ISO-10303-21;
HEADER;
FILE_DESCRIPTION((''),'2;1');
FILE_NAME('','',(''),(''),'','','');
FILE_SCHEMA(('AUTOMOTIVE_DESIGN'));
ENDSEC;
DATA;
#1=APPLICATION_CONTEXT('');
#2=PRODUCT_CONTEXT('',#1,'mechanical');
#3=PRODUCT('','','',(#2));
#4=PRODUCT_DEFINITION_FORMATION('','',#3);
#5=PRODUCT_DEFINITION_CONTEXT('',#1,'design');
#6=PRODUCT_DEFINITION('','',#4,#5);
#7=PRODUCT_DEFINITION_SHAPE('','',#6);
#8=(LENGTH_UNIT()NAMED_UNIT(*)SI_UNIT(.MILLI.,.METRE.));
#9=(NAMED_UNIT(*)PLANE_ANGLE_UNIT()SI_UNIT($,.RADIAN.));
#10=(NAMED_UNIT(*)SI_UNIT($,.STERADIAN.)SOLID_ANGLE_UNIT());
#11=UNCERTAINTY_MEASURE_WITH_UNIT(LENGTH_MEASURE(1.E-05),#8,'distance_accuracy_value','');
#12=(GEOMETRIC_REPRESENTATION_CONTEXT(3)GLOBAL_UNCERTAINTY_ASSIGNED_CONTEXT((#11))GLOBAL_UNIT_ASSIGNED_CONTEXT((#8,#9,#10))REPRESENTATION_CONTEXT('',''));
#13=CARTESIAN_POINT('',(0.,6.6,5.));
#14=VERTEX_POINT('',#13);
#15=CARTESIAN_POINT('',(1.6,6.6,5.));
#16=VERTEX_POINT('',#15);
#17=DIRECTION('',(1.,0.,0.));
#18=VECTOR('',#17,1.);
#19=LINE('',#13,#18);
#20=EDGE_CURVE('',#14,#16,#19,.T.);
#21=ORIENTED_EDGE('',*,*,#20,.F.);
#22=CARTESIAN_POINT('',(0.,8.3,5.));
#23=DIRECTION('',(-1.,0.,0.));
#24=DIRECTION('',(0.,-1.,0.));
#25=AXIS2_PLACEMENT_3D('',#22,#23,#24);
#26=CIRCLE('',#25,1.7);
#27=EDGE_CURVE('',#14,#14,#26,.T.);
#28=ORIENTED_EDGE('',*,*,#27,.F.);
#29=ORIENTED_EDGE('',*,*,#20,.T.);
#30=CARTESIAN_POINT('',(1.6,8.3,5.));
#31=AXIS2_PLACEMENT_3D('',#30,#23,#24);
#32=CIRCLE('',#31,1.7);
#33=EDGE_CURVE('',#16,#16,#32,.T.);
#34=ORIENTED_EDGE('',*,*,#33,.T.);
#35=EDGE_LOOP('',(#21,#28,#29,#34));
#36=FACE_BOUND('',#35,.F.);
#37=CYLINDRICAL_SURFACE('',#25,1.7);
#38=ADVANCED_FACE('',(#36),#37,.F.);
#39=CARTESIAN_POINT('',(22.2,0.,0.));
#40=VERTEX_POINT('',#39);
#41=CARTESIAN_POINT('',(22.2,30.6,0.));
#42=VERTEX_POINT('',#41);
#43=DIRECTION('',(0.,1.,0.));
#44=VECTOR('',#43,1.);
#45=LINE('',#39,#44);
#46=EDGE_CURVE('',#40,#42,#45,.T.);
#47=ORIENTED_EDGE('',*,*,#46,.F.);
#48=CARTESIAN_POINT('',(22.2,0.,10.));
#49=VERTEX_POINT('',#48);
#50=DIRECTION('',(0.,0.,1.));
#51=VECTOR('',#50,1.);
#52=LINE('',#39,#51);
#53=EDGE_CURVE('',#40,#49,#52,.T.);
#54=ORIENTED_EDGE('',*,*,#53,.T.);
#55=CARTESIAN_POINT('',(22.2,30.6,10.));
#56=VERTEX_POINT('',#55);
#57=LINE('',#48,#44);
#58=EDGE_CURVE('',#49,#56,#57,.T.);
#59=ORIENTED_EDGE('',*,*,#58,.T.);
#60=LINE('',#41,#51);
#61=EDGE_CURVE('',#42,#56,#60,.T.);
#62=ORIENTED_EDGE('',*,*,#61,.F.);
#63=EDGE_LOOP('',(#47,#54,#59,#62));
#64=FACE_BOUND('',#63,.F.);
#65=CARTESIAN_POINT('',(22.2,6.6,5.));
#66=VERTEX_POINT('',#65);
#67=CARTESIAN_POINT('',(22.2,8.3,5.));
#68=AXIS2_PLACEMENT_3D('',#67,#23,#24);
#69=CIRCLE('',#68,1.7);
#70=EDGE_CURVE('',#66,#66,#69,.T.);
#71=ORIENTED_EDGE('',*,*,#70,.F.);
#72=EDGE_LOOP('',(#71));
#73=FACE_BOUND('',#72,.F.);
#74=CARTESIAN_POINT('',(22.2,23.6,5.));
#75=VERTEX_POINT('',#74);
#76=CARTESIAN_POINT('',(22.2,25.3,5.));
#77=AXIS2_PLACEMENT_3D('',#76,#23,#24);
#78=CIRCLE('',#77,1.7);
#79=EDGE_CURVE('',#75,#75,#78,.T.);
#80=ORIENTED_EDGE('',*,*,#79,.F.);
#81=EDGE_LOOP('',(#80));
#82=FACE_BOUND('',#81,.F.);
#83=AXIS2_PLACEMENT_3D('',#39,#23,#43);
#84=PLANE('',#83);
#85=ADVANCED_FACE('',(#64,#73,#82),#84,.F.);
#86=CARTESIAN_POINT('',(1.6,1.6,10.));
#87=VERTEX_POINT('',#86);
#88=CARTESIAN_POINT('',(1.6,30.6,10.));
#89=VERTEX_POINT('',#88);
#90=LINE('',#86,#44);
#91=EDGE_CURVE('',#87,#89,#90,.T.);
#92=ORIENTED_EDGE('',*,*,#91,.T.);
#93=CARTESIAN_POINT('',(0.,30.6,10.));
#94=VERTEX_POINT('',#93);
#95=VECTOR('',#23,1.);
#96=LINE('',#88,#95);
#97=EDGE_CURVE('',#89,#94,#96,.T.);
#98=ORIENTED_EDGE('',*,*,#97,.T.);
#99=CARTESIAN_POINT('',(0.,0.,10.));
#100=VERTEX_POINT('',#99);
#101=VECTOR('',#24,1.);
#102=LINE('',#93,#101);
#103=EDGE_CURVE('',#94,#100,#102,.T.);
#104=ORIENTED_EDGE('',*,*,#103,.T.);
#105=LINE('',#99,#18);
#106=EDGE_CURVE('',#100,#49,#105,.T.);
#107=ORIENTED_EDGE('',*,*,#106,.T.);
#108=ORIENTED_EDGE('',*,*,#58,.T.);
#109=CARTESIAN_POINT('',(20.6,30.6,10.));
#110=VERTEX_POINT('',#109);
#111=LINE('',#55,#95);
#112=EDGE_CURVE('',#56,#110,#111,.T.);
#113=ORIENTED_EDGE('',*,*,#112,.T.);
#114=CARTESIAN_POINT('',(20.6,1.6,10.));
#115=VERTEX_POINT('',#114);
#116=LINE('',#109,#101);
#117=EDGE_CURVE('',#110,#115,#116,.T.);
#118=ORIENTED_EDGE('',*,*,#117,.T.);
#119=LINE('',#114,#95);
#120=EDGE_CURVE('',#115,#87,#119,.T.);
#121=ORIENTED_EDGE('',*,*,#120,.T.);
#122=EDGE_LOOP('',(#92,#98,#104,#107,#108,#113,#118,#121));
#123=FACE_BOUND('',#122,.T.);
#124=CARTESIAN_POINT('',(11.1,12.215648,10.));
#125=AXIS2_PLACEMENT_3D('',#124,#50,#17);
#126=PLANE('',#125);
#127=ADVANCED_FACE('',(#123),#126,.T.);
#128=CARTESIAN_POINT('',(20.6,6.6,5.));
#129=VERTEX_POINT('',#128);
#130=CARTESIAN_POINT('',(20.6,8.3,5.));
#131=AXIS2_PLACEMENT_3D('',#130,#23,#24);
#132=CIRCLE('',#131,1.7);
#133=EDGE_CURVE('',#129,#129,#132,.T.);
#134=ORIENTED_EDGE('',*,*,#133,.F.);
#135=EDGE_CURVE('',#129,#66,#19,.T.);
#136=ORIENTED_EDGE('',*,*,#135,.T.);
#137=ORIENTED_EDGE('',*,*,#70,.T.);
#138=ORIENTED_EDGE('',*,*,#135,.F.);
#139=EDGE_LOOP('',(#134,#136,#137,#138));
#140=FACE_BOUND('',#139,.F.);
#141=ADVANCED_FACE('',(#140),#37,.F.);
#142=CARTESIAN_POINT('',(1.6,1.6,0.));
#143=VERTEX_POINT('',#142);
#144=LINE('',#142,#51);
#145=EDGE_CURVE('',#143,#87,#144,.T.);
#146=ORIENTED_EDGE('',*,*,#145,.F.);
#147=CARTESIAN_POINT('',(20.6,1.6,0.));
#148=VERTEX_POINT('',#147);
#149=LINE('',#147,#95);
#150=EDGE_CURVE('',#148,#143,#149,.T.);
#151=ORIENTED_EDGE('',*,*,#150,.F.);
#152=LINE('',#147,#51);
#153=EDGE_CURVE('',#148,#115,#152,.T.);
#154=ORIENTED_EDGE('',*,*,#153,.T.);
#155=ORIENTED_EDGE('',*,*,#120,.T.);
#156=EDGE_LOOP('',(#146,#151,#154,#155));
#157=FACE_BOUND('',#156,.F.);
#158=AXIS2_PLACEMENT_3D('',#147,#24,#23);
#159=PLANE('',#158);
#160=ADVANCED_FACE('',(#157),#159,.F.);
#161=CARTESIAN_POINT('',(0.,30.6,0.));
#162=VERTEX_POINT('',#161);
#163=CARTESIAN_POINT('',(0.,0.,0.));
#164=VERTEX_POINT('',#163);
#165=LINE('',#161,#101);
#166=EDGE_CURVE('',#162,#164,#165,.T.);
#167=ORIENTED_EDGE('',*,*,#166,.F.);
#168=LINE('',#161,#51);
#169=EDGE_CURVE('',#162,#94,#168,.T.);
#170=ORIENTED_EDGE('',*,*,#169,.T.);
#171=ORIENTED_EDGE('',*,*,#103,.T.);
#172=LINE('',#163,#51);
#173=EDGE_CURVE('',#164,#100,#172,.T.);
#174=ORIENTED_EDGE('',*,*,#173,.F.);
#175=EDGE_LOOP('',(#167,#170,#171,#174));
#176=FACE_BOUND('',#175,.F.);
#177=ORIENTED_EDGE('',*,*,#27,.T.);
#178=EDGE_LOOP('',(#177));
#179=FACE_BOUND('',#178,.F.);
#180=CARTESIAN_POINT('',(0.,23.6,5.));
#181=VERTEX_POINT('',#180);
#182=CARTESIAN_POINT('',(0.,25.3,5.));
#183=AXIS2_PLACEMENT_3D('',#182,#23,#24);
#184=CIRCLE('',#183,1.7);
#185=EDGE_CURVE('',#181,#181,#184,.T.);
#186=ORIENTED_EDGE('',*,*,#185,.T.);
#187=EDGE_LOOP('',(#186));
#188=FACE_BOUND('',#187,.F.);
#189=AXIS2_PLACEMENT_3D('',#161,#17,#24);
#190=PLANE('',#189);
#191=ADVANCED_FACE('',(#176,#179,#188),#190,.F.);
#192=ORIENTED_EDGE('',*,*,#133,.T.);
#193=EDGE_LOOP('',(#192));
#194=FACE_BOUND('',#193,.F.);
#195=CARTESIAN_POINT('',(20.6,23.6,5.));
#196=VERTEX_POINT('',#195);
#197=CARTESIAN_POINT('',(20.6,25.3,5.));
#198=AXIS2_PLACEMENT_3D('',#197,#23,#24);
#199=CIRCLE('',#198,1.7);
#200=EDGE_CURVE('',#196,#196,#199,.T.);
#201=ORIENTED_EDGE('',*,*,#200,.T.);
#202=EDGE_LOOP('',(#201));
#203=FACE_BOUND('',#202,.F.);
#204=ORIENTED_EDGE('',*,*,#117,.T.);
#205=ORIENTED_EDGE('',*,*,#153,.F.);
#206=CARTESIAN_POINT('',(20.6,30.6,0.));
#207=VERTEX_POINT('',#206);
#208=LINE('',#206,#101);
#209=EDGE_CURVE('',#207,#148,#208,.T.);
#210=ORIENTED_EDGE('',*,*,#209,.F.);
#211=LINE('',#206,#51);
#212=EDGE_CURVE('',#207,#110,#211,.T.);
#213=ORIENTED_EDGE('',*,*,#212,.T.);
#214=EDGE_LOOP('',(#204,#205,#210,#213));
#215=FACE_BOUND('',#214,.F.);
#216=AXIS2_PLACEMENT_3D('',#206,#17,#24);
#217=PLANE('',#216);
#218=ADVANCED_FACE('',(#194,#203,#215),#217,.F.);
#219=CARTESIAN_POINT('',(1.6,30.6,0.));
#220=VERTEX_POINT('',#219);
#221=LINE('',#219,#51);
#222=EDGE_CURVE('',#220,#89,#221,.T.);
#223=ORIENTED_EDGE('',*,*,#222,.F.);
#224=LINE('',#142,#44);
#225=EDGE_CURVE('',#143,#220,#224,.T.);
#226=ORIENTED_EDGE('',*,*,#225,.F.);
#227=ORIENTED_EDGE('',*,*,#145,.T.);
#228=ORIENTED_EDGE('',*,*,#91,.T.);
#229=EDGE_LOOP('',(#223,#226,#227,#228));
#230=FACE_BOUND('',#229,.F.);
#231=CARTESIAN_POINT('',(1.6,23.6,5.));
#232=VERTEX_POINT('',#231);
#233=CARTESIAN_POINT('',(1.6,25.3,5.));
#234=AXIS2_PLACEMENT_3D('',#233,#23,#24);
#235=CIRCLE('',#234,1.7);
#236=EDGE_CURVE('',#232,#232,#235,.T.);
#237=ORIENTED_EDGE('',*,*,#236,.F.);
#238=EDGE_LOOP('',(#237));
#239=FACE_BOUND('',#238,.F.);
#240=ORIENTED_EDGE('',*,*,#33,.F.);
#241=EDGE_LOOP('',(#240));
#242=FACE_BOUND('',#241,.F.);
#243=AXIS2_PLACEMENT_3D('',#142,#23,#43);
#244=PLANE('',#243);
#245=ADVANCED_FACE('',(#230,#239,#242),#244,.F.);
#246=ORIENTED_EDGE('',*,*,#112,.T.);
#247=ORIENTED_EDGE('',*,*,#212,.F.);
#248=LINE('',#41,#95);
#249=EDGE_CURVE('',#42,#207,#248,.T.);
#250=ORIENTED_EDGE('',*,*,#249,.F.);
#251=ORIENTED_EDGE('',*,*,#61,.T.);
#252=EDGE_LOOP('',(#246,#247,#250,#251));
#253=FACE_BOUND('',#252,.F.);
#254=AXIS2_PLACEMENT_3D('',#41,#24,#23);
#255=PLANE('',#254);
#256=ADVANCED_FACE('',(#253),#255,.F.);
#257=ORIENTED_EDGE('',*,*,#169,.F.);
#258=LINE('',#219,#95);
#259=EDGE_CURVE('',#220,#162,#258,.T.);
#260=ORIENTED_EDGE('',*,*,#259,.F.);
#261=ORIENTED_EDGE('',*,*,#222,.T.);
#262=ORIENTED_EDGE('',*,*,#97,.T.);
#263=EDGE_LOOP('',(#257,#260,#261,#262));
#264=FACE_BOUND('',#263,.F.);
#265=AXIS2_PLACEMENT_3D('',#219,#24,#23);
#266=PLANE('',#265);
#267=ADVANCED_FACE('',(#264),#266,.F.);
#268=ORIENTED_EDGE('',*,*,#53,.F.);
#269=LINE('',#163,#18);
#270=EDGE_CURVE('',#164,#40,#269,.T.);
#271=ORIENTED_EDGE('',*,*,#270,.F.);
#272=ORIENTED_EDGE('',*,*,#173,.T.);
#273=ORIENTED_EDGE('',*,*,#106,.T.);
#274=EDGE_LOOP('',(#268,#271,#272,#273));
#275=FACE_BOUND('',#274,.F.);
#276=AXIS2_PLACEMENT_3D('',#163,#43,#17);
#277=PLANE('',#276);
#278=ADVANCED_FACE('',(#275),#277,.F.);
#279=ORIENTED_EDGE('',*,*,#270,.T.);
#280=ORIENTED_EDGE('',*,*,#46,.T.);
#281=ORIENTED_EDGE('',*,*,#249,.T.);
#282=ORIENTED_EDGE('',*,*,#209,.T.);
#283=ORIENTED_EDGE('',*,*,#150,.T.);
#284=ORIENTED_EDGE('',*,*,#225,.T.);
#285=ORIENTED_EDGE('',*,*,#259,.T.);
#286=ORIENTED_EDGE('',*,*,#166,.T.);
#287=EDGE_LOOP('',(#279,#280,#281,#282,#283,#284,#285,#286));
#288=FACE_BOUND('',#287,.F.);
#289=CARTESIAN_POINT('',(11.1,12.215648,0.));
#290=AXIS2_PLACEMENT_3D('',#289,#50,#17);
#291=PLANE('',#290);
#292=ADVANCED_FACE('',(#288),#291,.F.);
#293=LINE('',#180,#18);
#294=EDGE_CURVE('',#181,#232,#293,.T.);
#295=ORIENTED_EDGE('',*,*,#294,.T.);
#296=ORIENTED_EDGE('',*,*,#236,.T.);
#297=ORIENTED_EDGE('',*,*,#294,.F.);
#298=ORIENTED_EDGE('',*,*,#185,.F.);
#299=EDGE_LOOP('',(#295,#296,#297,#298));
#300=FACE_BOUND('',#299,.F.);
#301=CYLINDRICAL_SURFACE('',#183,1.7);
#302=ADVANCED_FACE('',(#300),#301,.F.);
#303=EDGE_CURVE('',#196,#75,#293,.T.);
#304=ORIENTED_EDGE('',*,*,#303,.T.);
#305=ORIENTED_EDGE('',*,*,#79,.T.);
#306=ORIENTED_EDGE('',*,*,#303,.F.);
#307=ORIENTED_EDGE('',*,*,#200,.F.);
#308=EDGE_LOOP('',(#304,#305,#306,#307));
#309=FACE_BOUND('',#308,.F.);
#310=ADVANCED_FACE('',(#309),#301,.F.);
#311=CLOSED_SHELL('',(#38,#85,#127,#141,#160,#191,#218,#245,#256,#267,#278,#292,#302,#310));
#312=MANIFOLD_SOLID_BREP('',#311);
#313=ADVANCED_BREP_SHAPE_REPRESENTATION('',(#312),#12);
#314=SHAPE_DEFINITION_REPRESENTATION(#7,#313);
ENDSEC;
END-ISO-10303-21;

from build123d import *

# Parameters (mm, degrees)
F1_DEPTH = 10
F2_R     = 1.7
F3_DEPTH = 22.201


with BuildPart() as f1:
    # F0 (on Top) → F1 (new body)
    with BuildSketch(Plane.XY):
        Polygon((0, 1.6), (0, 0), (22.2, 0), (22.2, 1.6), (22.2, 5.6), (22.2, 30.6), (20.6, 30.6), (20.6, 5.6), (20.6, 1.6), (1.6, 1.6), (1.6, 5.6), (1.6, 30.6), (0, 30.6), (0, 5.6), align=None)
    extrude(amount=F1_DEPTH)

    # F2 (on face) → F3 (cut, through all)
    with BuildSketch(Plane(origin=(0, 0, 0), x_dir=(0, -1, 0), z_dir=(-1, 0, 0))):
        with Locations((-25.3, 5)):
            Circle(F2_R)
        with Locations((-8.3, 5)):
            Circle(F2_R)
    extrude(amount=-F3_DEPTH, mode=Mode.SUBTRACT)


solid = f1.part
